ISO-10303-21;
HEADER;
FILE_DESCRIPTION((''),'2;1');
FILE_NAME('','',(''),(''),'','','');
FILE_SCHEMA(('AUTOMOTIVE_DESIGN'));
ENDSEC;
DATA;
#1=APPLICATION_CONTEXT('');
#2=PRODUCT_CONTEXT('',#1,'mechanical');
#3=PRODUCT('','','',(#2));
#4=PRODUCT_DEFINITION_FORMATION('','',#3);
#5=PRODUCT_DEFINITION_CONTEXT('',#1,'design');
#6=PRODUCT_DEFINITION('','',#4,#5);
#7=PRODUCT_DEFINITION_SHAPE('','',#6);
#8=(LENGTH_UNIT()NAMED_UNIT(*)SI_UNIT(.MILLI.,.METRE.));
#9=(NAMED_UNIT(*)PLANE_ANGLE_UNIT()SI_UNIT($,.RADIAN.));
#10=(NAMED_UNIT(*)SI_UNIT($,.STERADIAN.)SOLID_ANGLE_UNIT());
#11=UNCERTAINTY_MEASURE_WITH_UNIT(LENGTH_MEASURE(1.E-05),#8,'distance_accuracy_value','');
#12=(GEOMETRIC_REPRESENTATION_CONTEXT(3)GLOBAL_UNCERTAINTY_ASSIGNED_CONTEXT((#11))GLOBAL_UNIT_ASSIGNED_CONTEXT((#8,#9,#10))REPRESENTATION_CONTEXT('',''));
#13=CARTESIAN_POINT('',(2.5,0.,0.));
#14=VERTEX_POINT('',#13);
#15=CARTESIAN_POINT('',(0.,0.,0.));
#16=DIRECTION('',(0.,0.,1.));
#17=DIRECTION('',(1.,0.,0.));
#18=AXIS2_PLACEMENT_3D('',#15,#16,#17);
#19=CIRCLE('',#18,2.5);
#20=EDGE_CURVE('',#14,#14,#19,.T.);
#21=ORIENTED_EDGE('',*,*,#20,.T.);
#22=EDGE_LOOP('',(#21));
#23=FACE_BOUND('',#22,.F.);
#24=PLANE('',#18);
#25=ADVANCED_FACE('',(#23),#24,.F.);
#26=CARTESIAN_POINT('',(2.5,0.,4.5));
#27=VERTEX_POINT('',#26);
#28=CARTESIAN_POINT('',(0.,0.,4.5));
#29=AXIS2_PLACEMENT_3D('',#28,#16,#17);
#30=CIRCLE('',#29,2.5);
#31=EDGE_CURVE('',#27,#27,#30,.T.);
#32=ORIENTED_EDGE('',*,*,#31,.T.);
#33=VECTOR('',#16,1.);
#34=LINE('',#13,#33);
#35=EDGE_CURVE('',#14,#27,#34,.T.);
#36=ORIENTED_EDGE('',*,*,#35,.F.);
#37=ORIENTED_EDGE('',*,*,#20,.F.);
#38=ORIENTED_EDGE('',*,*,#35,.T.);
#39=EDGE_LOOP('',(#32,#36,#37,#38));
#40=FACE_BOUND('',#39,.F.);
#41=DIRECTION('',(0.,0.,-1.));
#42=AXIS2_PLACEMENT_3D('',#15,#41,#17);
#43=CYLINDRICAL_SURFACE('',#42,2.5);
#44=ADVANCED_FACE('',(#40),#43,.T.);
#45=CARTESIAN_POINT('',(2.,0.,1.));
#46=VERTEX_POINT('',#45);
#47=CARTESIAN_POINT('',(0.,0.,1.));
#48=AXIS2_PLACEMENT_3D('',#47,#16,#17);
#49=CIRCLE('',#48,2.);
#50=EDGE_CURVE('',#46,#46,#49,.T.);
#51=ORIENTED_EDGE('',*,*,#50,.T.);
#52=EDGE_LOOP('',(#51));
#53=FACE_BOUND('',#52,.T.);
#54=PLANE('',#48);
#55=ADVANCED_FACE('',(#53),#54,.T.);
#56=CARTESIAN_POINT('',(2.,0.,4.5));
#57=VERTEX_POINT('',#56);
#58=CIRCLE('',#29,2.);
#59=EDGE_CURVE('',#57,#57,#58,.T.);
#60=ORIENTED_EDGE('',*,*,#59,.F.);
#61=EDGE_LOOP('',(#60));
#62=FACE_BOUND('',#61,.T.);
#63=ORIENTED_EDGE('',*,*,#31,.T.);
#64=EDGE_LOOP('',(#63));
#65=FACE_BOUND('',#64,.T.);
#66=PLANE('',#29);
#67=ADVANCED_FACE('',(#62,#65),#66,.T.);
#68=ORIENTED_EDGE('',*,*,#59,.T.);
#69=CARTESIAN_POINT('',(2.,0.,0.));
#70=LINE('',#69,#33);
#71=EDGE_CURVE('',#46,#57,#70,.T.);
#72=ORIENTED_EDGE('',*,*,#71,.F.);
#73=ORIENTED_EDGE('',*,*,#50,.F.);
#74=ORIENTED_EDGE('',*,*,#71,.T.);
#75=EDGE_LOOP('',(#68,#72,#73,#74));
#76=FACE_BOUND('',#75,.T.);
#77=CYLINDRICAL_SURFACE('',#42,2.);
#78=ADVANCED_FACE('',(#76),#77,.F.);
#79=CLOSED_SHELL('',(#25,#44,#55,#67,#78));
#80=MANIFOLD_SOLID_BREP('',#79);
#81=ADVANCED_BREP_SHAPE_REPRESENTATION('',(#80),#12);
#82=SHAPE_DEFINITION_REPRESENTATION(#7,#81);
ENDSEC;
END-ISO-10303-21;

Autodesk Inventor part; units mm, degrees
ref_plane "YZ Plane" through (0, 0, 0) normal (1, 0, 0) x (0, 1, 0)
ref_plane "XZ Plane" through (0, 0, 0) normal (0, 1, 0) x (-1, 0, 0)
ref_plane "XY Plane" through (0, 0, 0) normal (0, 0, 1) x (1, 0, 0)
sketch "Sketch1" plane through (0, 0, 0) normal (0, 0, 1) x (1, 0, 0)
  circle A0 centre (0, 0) radius 2
  circle A1 centre (0, 0) radius 2.5
  dimension "d0" = 4
  dimension "d1" = 5
extrude "Extrusion1" add sketch "Sketch1" along normal blind 1 contours A0
extrude "Extrusion2" add sketch "Sketch1" along normal blind 4.5
properties part number "TutupSteering"
